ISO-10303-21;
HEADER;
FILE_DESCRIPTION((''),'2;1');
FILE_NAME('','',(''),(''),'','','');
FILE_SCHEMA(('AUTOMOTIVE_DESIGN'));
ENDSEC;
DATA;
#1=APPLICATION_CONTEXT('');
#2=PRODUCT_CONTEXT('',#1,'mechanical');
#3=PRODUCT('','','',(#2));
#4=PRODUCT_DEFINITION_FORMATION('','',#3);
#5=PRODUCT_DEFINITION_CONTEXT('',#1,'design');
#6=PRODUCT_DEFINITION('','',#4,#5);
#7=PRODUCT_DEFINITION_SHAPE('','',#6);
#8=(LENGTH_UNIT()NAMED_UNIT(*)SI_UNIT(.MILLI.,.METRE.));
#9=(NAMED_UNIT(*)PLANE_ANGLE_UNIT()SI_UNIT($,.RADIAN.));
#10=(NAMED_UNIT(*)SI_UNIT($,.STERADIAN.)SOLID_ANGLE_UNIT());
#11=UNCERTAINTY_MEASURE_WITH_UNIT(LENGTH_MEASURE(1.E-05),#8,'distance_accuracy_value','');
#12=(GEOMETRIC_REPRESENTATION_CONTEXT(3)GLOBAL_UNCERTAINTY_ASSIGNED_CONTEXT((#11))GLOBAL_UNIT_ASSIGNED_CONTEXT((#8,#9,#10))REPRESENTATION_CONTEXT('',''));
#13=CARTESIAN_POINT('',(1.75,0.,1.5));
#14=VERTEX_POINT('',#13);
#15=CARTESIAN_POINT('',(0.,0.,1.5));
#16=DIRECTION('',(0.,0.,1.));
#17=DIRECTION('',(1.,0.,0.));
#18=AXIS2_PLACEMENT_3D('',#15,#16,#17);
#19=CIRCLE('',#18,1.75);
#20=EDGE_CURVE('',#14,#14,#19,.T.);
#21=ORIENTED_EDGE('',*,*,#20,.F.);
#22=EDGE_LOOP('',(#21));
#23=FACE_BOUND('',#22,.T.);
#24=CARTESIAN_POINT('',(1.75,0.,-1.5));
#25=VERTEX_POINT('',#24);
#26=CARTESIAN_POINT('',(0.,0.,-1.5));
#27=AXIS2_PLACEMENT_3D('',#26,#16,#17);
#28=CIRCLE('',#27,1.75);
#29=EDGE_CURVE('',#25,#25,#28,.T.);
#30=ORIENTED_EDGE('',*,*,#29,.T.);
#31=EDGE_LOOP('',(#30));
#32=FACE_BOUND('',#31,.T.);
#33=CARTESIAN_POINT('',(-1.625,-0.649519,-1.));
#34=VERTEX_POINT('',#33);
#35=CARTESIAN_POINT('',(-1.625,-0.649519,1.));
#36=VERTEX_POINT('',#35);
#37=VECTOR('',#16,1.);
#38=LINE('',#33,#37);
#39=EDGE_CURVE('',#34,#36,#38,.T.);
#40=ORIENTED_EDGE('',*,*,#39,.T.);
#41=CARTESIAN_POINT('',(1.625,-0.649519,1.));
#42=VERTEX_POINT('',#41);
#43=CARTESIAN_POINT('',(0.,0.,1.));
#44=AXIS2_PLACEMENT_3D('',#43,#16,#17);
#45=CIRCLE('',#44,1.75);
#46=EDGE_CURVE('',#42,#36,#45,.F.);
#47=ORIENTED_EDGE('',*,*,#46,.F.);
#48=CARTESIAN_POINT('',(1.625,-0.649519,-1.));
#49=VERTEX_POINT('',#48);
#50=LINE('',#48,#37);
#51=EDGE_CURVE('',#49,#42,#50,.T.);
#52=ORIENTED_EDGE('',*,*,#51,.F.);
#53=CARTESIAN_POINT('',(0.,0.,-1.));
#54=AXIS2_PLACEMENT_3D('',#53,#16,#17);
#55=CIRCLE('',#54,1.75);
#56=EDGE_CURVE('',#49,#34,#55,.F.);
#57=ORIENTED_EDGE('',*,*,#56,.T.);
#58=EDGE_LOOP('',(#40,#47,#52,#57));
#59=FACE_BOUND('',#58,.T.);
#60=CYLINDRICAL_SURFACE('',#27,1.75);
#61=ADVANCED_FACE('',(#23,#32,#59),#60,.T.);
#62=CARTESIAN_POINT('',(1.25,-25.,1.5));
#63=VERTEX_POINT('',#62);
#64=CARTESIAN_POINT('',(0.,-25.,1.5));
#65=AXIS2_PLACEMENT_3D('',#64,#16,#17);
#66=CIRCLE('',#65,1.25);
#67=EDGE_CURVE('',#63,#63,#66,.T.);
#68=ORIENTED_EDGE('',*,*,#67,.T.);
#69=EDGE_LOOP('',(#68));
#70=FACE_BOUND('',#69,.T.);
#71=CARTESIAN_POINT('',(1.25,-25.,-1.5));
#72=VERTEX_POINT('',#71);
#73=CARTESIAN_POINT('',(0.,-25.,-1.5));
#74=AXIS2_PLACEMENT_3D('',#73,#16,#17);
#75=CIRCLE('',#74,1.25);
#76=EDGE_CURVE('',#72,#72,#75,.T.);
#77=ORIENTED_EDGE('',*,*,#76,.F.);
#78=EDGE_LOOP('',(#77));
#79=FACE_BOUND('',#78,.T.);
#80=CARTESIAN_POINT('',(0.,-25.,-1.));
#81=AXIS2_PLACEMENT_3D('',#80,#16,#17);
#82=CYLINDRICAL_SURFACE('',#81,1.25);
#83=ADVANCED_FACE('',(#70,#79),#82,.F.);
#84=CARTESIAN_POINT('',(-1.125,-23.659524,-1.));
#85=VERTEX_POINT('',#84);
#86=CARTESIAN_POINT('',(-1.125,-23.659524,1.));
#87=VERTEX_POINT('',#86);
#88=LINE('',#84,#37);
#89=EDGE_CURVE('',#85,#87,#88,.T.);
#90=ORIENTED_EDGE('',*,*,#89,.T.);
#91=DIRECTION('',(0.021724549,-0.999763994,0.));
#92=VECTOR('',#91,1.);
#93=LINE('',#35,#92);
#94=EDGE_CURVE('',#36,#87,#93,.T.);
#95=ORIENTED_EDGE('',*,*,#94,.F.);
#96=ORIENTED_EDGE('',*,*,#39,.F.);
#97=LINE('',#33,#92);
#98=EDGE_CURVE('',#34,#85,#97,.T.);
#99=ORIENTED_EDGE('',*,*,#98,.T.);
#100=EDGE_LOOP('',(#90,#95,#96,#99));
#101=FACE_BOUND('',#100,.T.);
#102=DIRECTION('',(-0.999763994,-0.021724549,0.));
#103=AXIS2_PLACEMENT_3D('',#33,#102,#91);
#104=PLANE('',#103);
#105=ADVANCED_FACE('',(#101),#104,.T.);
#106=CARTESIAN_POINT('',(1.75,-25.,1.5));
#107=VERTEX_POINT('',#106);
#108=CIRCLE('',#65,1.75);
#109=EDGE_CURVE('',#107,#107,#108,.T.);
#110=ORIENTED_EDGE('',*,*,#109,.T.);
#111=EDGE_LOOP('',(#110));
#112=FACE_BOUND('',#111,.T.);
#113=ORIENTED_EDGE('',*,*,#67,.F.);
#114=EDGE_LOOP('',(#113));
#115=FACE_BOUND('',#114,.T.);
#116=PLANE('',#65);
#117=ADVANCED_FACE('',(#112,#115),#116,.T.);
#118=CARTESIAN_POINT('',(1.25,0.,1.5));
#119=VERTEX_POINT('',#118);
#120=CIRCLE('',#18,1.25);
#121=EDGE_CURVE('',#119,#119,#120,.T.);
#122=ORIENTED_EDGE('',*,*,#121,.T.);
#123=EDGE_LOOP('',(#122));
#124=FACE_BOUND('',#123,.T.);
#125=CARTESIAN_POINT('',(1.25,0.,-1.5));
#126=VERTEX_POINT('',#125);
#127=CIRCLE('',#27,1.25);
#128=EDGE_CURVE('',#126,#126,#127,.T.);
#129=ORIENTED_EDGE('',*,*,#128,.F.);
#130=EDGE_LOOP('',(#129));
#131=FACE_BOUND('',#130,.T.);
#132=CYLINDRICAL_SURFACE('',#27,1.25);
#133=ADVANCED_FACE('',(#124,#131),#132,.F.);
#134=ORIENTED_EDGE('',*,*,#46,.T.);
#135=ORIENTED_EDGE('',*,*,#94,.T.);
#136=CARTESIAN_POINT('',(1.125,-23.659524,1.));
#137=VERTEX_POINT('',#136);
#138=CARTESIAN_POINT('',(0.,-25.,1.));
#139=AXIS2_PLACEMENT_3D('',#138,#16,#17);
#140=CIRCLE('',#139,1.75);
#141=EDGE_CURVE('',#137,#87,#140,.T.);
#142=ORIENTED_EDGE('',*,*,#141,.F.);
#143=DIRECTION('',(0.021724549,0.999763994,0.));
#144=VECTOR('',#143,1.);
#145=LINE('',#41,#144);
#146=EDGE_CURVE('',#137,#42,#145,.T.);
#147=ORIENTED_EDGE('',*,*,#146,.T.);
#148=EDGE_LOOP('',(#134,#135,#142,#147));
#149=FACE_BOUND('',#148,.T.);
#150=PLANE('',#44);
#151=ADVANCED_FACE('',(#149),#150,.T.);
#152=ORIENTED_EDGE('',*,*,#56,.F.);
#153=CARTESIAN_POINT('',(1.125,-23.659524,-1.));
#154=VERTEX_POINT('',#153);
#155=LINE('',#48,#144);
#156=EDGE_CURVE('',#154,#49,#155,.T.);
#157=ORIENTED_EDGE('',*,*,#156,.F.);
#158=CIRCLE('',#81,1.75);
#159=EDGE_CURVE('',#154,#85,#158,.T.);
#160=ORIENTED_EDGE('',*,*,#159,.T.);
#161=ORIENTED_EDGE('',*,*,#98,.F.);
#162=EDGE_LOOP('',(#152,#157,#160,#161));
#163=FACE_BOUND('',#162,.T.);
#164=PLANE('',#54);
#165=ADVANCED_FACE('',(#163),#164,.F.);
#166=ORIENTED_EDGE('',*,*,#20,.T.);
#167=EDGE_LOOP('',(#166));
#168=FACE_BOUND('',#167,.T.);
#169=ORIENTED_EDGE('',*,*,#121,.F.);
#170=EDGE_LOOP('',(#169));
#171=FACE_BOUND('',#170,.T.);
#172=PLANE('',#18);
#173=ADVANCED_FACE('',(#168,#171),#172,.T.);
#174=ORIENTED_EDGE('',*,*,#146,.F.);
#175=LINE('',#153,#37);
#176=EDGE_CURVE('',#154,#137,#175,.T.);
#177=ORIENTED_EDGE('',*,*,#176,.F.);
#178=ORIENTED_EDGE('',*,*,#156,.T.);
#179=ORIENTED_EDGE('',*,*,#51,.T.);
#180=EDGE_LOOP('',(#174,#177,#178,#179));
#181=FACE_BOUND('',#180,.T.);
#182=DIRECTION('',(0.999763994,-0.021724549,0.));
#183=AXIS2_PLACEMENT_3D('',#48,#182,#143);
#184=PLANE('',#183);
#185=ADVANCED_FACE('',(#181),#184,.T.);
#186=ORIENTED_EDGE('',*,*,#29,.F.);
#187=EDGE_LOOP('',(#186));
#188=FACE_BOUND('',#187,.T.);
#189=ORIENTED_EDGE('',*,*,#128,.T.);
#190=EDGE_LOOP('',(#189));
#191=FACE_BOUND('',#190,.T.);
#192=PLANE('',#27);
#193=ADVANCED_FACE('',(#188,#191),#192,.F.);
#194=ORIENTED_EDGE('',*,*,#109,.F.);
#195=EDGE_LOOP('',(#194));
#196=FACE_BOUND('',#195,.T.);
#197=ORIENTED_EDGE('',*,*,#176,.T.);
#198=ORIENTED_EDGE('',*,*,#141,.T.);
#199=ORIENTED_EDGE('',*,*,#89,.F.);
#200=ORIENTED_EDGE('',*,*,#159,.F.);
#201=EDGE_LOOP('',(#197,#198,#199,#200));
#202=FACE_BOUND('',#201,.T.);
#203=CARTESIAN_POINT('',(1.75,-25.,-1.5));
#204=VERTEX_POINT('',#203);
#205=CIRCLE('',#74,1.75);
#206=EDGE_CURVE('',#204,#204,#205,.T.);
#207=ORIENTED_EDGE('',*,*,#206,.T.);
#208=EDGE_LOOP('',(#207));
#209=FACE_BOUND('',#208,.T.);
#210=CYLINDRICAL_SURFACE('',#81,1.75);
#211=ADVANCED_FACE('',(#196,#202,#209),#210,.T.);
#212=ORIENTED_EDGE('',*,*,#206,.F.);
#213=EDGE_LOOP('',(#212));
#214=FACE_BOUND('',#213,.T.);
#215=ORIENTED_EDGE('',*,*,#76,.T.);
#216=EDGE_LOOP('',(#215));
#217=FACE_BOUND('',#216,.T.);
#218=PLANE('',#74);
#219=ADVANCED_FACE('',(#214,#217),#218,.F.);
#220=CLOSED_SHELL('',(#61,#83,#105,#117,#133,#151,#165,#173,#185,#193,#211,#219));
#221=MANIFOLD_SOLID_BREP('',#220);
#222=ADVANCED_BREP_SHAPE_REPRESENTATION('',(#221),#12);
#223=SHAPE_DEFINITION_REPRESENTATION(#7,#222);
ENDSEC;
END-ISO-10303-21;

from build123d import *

# Parameters (mm, degrees)
BOSS_EXTRUDE1_DEPTH       = 1.5
BOSS_EXTRUDE1_DEPTH_BACK  = 1.5
SKETCH10_R                = 1.75
SKETCH10_R_2              = 1.25
BOSS_EXTRUDE12_DEPTH      = 1.5
BOSS_EXTRUDE12_DEPTH_BACK = 1.5
SKETCH11_R                = 1.75
SKETCH11_R_2              = 1.25
BOSS_EXTRUDE13_DEPTH      = 1
BOSS_EXTRUDE13_DEPTH_BACK = 1
SKETCH1_R                 = 1.25


with BuildPart() as part:
    # Sketch10 → Boss-Extrude1 (new, two sides: drawn at the far end of the back side and taken through both)
    with BuildSketch(Plane.XY.offset(-BOSS_EXTRUDE1_DEPTH_BACK)):
        Circle(SKETCH10_R)
        Circle(SKETCH10_R_2, mode=Mode.SUBTRACT)
    extrude(amount=BOSS_EXTRUDE1_DEPTH + BOSS_EXTRUDE1_DEPTH_BACK)



with BuildPart() as body_2:
    # Sketch11 → Boss-Extrude12 (new, two sides: drawn at the far end of the back side and taken through both)
    with BuildSketch(Plane.XY.offset(-BOSS_EXTRUDE12_DEPTH_BACK)):
        with Locations((0, -25)):
            Circle(SKETCH11_R)
        with Locations((0, -25)):
            Circle(SKETCH11_R_2, mode=Mode.SUBTRACT)
    extrude(amount=BOSS_EXTRUDE12_DEPTH + BOSS_EXTRUDE12_DEPTH_BACK)


with BuildPart() as part_1:
    add(part.part)

    add(body_2.part)  # Boss-Extrude13 merges body 2
    # Sketch1 → Boss-Extrude13 (add, two sides: drawn at the far end of the back side and taken through both)
    with BuildSketch(Plane.XY.offset(-BOSS_EXTRUDE13_DEPTH_BACK)):
        with BuildLine():
            Line((-1.625, -0.649519053), (-1.125, -23.659524338))
            ThreePointArc((-1.125, -23.659524338), (0, -26.75), (1.125, -23.659524338))
            Line((1.125, -23.659524338), (1.625, -0.649519053))
            ThreePointArc((1.625, -0.649519053), (0, 1.75), (-1.625, -0.649519053))
        make_face()
        Circle(SKETCH1_R, mode=Mode.SUBTRACT)
        with Locations((0, -25)):
            Circle(SKETCH1_R, mode=Mode.SUBTRACT)
    extrude(amount=BOSS_EXTRUDE13_DEPTH + BOSS_EXTRUDE13_DEPTH_BACK)


solid = part_1.part
